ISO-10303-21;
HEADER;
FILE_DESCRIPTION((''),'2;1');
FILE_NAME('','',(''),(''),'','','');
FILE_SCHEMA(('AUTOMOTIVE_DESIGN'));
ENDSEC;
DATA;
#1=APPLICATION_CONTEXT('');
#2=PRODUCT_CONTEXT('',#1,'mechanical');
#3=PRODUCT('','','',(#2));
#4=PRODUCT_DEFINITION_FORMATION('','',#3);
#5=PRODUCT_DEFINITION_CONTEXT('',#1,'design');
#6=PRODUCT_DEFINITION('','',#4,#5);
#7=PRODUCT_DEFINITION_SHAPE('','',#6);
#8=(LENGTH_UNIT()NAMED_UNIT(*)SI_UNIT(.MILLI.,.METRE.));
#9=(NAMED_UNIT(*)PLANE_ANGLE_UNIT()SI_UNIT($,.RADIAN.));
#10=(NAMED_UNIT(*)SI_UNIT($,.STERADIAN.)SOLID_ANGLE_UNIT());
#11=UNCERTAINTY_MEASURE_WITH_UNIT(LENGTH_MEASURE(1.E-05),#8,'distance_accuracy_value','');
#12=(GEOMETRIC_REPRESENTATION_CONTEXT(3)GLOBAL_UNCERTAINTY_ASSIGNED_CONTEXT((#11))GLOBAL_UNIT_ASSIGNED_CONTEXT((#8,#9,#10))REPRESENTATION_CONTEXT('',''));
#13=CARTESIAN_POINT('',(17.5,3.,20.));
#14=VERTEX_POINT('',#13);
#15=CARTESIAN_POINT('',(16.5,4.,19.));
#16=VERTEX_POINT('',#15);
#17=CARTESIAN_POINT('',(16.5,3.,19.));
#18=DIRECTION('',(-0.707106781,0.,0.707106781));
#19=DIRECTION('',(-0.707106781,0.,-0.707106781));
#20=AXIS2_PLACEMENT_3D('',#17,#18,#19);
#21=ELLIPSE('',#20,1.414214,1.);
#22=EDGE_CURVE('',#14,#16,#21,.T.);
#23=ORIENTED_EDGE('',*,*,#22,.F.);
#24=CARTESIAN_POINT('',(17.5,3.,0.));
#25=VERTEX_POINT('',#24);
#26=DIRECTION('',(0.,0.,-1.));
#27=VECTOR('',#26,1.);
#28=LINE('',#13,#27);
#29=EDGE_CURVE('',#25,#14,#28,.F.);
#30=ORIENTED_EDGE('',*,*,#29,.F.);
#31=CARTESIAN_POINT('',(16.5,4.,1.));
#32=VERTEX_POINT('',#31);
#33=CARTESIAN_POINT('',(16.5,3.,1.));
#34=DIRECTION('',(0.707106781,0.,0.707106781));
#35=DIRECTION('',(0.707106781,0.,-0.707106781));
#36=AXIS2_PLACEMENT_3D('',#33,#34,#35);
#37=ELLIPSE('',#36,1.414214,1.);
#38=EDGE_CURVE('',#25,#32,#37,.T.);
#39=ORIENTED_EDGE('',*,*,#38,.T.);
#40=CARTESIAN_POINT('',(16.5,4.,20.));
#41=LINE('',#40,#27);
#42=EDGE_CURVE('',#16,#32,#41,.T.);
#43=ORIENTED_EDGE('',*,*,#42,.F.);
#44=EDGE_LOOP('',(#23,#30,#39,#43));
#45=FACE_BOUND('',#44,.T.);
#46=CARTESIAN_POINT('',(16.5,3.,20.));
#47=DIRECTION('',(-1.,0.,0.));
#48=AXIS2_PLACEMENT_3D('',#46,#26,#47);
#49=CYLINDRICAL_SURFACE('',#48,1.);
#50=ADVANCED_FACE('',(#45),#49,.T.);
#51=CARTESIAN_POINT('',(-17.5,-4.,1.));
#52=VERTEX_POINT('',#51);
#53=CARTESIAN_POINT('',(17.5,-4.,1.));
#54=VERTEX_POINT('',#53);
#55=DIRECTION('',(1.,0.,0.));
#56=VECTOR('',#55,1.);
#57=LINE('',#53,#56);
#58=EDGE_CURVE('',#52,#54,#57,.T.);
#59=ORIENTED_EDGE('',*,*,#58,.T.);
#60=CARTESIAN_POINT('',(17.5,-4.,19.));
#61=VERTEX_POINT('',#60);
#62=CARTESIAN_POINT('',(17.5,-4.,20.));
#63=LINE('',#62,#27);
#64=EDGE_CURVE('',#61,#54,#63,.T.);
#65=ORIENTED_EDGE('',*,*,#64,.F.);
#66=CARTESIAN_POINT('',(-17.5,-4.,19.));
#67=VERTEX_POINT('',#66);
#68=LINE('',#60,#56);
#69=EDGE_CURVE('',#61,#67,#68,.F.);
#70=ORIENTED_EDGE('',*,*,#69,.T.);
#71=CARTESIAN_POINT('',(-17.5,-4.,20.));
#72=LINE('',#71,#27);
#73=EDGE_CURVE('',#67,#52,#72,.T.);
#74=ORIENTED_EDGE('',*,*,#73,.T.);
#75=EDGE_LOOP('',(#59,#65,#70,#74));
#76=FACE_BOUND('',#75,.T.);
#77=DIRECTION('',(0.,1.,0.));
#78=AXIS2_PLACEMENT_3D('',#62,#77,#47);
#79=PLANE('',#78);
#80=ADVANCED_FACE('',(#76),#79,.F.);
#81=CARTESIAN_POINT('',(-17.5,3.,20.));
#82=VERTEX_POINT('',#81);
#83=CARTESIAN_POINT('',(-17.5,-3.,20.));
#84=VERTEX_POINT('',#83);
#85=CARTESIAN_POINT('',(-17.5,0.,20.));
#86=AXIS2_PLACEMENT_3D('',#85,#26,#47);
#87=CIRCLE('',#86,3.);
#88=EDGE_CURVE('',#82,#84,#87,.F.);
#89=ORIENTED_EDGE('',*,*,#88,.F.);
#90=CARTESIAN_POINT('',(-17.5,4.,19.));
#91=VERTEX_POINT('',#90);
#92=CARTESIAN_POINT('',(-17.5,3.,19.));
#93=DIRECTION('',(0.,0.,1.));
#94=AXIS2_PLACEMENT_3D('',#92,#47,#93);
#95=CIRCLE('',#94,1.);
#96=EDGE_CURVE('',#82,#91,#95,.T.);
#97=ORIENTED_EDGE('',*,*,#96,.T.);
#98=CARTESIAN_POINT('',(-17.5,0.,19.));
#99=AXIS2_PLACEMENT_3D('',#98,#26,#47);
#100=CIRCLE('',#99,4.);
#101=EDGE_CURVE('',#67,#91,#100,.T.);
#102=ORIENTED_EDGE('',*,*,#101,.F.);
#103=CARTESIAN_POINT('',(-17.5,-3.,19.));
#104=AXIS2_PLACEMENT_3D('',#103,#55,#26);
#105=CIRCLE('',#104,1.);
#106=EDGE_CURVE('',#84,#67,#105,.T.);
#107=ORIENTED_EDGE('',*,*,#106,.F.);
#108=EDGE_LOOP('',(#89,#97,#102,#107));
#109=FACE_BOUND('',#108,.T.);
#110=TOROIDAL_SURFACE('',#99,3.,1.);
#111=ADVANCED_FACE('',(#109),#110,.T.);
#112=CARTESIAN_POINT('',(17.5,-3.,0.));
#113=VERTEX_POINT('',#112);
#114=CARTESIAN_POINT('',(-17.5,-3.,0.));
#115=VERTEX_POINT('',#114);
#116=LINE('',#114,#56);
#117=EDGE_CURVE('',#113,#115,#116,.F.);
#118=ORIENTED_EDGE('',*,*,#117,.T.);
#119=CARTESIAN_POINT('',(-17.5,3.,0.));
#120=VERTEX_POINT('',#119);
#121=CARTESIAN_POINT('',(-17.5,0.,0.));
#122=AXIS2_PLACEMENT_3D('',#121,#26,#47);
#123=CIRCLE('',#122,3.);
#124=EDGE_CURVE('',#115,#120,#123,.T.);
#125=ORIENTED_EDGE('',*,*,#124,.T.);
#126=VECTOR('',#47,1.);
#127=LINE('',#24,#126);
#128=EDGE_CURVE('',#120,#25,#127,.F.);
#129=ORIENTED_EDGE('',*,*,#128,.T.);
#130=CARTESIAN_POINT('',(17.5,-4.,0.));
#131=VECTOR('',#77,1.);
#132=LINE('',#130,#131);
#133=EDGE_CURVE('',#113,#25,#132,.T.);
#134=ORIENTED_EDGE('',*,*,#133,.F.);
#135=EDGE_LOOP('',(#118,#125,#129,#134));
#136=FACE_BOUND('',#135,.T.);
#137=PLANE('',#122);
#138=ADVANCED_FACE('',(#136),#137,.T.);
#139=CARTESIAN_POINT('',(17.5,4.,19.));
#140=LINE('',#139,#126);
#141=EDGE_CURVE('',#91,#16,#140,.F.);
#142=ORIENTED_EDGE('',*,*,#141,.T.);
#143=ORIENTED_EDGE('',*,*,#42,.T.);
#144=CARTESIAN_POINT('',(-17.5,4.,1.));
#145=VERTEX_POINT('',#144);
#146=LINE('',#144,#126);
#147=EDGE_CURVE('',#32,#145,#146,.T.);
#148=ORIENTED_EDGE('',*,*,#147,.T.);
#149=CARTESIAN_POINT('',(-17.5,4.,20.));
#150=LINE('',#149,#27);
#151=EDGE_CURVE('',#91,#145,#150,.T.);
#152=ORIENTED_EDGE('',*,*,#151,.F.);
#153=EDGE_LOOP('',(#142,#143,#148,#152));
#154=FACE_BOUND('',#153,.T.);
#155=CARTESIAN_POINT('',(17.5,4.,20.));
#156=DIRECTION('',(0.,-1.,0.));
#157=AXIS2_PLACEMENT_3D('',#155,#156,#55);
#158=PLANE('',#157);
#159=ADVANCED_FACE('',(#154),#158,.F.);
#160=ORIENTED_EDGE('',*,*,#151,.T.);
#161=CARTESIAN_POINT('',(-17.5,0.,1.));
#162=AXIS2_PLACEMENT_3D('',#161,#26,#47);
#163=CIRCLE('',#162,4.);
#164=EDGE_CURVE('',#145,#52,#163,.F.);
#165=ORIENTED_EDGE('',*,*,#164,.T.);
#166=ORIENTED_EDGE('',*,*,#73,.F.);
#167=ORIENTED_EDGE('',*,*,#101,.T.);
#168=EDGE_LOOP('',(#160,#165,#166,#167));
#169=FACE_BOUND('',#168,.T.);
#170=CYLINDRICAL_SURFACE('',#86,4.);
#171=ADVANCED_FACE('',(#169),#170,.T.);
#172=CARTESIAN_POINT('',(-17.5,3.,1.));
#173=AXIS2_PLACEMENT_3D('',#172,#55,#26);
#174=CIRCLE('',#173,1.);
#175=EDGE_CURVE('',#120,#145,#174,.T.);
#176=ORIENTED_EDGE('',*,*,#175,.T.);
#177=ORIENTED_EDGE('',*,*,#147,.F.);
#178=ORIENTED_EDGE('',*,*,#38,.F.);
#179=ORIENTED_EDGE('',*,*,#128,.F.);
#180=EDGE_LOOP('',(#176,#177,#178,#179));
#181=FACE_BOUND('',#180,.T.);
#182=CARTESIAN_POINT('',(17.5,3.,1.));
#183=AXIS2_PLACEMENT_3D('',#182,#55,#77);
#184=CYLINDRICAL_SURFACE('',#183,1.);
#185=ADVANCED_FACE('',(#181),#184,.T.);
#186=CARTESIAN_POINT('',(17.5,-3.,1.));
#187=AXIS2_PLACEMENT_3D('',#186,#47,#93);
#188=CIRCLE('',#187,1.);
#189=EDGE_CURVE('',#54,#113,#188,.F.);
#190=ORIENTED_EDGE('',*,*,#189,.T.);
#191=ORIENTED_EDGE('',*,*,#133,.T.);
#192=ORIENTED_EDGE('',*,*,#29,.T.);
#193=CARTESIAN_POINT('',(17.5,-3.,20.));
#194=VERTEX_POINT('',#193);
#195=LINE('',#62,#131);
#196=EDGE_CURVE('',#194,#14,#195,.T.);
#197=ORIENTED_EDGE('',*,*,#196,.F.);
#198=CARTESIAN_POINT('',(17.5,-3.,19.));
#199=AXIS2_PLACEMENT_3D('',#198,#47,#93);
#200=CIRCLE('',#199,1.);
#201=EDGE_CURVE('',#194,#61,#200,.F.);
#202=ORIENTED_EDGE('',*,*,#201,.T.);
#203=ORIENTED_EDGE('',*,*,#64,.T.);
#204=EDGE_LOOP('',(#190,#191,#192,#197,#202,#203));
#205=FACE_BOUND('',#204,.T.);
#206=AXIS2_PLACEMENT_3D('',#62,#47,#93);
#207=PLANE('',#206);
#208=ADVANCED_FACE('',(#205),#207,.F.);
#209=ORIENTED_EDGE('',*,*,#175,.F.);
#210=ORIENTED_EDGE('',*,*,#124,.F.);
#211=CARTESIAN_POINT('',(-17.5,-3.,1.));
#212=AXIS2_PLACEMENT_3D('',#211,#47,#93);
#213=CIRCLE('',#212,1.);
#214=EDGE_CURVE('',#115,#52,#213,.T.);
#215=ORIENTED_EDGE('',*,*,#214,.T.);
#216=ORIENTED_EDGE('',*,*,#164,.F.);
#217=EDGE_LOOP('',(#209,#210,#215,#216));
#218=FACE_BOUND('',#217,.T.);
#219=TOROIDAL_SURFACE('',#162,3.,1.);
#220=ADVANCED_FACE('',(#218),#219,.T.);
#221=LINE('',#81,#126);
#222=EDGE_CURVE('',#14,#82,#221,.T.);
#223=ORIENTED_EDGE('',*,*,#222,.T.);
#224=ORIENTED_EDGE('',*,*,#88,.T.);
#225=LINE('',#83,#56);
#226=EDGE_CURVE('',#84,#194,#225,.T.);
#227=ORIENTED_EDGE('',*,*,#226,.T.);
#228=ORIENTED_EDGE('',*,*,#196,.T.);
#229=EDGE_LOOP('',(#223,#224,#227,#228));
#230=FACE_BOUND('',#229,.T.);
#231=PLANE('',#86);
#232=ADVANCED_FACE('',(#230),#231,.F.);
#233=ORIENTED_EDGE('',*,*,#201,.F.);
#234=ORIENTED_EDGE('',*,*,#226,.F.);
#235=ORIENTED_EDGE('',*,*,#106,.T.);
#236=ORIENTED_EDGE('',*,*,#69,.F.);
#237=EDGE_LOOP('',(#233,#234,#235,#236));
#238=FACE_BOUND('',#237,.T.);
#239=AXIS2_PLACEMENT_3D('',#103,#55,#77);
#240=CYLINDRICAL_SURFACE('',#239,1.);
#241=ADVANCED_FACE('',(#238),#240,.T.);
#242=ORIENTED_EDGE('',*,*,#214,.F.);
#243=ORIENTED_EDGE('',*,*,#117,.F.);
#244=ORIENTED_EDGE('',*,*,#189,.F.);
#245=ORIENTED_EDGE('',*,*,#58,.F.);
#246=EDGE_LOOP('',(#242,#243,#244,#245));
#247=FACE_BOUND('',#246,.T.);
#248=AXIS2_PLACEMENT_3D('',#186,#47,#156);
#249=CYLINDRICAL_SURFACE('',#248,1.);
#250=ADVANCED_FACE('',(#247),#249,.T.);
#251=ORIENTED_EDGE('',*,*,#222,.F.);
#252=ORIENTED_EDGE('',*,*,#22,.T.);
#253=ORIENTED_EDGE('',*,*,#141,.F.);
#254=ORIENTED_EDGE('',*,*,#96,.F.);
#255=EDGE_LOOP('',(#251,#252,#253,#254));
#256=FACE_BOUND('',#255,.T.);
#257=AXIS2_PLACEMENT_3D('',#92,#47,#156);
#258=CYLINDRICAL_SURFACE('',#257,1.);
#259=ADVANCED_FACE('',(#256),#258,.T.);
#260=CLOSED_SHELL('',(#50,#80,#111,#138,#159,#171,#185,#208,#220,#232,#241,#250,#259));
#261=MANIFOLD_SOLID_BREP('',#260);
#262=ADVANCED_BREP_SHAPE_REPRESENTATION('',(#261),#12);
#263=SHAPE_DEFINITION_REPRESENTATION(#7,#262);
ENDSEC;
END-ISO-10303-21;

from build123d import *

# Parameters (mm, degrees)
EXTRUDE_1_DEPTH = 20
FILLET_1_R      = 1


with BuildPart() as part:
    # Эскиз1 → Бобышка-Вытянуть1 (new body)
    with BuildSketch(Plane.XY):
        with BuildLine():
            Line((17.5, -4), (-17.5, -4))
            ThreePointArc((-17.5, -4), (-21.5, 0), (-17.5, 4))
            Line((-17.5, 4), (17.5, 4))
            Line((17.5, 4), (17.5, -4))
        make_face()
    extrude(amount=EXTRUDE_1_DEPTH)

    # Скругление1
    fillet_1_edges = [part.edges().sort_by_distance(p)[0] for p in [
        (0, 4, 20),
        (-21.5, 0, 20),
        (0, 4, 0),
        (0, -4, 0),
        (-21.5, 0, 0),
        (17.5, 4, 10),
        (0, -4, 20),
    ]]
    fillet(fillet_1_edges, radius=FILLET_1_R)


solid = part.part
